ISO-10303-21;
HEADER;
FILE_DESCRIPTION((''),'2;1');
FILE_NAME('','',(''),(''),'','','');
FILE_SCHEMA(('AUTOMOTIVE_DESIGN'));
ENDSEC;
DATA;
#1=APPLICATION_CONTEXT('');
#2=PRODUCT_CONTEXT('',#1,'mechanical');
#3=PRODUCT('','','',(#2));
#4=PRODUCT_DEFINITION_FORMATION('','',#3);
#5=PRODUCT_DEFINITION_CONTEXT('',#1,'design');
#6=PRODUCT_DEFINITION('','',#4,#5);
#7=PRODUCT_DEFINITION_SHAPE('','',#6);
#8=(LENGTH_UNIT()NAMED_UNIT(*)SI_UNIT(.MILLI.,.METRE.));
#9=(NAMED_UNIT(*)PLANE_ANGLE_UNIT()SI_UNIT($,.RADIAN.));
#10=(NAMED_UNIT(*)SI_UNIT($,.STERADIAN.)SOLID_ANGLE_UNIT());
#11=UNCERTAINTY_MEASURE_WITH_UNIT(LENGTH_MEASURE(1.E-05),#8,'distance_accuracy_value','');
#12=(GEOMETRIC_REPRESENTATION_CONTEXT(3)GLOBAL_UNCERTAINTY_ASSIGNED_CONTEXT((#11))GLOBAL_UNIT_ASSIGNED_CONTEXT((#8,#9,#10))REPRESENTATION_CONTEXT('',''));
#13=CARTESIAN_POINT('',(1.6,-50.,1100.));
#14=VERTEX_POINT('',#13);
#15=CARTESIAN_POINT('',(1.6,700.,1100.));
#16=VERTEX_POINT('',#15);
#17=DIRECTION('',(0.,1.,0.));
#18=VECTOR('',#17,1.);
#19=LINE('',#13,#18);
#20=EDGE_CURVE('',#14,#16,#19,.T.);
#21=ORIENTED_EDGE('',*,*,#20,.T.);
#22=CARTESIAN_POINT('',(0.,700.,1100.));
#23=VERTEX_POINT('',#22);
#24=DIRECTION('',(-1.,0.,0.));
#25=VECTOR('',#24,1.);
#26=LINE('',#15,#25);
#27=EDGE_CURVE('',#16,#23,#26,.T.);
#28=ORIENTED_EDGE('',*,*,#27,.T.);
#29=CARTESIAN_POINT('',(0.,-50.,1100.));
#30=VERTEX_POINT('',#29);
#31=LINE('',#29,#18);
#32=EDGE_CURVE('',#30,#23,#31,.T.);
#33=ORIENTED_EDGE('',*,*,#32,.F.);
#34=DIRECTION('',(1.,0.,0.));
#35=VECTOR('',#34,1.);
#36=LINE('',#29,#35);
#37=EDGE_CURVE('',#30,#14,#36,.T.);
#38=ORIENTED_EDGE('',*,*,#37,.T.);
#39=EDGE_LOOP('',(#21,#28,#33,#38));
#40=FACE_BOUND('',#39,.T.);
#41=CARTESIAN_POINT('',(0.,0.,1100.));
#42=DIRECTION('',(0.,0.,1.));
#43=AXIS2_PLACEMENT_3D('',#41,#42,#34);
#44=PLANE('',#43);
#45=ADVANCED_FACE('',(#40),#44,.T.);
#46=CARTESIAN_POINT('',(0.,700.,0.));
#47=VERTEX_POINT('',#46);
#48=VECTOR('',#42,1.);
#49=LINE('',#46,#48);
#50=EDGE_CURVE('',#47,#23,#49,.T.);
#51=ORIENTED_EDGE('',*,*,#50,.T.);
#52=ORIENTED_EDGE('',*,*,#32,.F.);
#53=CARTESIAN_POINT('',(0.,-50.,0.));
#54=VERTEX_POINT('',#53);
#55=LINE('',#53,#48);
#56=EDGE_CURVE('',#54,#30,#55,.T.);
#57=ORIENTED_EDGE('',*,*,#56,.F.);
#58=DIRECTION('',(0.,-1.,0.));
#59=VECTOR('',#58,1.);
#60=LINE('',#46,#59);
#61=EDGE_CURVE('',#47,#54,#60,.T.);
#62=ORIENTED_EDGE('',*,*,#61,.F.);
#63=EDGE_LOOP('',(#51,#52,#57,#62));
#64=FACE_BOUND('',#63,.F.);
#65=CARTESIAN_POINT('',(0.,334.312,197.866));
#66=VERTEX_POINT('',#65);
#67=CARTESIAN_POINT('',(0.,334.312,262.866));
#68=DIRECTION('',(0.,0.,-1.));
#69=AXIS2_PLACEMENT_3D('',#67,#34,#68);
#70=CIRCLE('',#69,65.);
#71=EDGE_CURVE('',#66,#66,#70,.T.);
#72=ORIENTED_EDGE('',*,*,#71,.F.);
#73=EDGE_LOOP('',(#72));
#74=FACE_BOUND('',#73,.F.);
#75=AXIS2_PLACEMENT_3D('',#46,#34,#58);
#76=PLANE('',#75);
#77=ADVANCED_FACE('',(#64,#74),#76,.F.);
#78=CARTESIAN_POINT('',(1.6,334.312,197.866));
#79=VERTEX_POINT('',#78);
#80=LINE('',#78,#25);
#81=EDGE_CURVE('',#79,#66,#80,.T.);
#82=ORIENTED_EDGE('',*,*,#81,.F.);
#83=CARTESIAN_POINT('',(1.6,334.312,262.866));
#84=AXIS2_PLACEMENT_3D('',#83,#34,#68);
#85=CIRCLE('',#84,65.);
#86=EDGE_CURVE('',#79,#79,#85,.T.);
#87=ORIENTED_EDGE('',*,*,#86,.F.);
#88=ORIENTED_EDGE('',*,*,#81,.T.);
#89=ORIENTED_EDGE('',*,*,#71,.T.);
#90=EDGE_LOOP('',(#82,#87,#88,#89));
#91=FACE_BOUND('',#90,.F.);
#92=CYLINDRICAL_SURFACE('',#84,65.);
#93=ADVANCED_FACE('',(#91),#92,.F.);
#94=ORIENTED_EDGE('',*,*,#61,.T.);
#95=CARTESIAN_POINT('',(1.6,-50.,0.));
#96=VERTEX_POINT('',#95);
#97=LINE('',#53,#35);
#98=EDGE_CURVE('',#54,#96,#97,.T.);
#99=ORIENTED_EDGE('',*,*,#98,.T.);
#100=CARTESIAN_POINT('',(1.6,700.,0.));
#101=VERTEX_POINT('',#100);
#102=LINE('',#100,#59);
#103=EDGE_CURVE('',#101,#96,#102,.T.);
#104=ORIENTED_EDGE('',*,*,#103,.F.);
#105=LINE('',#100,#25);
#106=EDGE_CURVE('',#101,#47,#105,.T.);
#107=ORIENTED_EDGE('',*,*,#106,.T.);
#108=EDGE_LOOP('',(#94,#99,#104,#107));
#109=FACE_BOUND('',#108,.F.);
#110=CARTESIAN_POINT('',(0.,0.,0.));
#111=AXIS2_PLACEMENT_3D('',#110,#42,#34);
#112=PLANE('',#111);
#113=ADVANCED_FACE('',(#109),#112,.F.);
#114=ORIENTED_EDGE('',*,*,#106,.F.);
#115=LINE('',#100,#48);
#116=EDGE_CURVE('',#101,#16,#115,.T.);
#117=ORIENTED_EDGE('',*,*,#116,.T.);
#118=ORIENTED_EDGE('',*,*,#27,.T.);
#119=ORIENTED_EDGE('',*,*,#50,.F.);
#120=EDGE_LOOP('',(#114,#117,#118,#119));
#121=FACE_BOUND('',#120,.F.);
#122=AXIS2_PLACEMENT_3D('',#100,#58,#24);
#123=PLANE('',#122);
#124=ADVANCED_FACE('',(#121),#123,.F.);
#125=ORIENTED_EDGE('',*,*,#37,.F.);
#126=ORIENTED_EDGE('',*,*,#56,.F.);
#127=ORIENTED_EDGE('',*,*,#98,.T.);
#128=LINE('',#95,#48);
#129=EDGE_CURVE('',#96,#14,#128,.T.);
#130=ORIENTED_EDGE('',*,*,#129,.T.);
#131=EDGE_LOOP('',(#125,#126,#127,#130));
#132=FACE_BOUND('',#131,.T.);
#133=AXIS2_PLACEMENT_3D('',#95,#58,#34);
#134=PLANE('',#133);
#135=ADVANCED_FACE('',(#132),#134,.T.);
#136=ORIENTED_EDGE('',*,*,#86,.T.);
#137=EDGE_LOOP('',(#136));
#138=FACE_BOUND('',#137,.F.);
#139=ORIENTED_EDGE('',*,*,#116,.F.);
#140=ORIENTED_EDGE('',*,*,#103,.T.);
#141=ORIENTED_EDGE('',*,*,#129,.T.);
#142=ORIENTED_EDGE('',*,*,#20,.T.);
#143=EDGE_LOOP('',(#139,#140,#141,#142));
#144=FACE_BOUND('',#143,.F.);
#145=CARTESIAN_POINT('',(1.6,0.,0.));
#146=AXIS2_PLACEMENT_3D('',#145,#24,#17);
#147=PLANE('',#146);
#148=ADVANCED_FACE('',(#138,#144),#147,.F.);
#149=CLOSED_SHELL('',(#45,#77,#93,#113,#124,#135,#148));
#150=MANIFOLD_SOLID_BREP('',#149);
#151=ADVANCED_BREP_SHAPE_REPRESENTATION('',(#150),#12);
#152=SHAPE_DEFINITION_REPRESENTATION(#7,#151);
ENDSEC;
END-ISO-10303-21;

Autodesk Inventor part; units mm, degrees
ref_plane "YZ Plane" through (0, 0, 0) normal (1, 0, 0) x (0, 1, 0)
ref_plane "XZ Plane" through (0, 0, 0) normal (0, 1, 0) x (-1, 0, 0)
ref_plane "XY Plane" through (0, 0, 0) normal (0, 0, 1) x (1, 0, 0)
sketch "Sketch1" plane through (0, 0, 0) normal (0, 0, 1) x (1, 0, 0)
  line L0 (0, 0) -> (1.6, 0)
  line L1 (1.6, 0) -> (1.6, 700)
  line L2 (1.6, 700) -> (0, 700)
  line L3 (0, 700) -> (0, 0)
  dimension "d0" = 700
  dimension "d1" = 1.6
extrude "Extrusion1" add sketch "Sketch1" along normal blind 1100
sketch "Sketch2" plane through (1.6, 0, 0) normal (0, -1, 0) x (1, 0, 0)
  line L0 (-1.6, 0) -> (-1.6, 1100) projected
  line L1 (-1.6, 0) -> (0, 0) projected
  line L2 (-1.6, 0) -> (0, 0) projected
  line L3 (0, 0) -> (0, 1100) projected
  line L4 (-1.6, 1100) -> (0, 1100) projected
  line L5 (-1.6, 0) -> (-1.6, 1100) projected
extrude "Extrusion2" add sketch "Sketch2" along normal blind 50
sketch "Sketch3" plane through (1.6, 700, 1100) normal (1, 0, 0) x (0, 0, -1)
  line L0 (1100, 0) -> (1100, -750) projected
  line L1 (1100, -427.9985) -> (1362.866, -427.9985) construction
  line L2 (0, -750) -> (1100, -750) projected
  circle A0 centre (837.134, -365.688) radius 65
  point P0 (1100, -700)
extrude "Extrusion3" cut sketch "Sketch3" against normal through all
properties part number "cover 2"
